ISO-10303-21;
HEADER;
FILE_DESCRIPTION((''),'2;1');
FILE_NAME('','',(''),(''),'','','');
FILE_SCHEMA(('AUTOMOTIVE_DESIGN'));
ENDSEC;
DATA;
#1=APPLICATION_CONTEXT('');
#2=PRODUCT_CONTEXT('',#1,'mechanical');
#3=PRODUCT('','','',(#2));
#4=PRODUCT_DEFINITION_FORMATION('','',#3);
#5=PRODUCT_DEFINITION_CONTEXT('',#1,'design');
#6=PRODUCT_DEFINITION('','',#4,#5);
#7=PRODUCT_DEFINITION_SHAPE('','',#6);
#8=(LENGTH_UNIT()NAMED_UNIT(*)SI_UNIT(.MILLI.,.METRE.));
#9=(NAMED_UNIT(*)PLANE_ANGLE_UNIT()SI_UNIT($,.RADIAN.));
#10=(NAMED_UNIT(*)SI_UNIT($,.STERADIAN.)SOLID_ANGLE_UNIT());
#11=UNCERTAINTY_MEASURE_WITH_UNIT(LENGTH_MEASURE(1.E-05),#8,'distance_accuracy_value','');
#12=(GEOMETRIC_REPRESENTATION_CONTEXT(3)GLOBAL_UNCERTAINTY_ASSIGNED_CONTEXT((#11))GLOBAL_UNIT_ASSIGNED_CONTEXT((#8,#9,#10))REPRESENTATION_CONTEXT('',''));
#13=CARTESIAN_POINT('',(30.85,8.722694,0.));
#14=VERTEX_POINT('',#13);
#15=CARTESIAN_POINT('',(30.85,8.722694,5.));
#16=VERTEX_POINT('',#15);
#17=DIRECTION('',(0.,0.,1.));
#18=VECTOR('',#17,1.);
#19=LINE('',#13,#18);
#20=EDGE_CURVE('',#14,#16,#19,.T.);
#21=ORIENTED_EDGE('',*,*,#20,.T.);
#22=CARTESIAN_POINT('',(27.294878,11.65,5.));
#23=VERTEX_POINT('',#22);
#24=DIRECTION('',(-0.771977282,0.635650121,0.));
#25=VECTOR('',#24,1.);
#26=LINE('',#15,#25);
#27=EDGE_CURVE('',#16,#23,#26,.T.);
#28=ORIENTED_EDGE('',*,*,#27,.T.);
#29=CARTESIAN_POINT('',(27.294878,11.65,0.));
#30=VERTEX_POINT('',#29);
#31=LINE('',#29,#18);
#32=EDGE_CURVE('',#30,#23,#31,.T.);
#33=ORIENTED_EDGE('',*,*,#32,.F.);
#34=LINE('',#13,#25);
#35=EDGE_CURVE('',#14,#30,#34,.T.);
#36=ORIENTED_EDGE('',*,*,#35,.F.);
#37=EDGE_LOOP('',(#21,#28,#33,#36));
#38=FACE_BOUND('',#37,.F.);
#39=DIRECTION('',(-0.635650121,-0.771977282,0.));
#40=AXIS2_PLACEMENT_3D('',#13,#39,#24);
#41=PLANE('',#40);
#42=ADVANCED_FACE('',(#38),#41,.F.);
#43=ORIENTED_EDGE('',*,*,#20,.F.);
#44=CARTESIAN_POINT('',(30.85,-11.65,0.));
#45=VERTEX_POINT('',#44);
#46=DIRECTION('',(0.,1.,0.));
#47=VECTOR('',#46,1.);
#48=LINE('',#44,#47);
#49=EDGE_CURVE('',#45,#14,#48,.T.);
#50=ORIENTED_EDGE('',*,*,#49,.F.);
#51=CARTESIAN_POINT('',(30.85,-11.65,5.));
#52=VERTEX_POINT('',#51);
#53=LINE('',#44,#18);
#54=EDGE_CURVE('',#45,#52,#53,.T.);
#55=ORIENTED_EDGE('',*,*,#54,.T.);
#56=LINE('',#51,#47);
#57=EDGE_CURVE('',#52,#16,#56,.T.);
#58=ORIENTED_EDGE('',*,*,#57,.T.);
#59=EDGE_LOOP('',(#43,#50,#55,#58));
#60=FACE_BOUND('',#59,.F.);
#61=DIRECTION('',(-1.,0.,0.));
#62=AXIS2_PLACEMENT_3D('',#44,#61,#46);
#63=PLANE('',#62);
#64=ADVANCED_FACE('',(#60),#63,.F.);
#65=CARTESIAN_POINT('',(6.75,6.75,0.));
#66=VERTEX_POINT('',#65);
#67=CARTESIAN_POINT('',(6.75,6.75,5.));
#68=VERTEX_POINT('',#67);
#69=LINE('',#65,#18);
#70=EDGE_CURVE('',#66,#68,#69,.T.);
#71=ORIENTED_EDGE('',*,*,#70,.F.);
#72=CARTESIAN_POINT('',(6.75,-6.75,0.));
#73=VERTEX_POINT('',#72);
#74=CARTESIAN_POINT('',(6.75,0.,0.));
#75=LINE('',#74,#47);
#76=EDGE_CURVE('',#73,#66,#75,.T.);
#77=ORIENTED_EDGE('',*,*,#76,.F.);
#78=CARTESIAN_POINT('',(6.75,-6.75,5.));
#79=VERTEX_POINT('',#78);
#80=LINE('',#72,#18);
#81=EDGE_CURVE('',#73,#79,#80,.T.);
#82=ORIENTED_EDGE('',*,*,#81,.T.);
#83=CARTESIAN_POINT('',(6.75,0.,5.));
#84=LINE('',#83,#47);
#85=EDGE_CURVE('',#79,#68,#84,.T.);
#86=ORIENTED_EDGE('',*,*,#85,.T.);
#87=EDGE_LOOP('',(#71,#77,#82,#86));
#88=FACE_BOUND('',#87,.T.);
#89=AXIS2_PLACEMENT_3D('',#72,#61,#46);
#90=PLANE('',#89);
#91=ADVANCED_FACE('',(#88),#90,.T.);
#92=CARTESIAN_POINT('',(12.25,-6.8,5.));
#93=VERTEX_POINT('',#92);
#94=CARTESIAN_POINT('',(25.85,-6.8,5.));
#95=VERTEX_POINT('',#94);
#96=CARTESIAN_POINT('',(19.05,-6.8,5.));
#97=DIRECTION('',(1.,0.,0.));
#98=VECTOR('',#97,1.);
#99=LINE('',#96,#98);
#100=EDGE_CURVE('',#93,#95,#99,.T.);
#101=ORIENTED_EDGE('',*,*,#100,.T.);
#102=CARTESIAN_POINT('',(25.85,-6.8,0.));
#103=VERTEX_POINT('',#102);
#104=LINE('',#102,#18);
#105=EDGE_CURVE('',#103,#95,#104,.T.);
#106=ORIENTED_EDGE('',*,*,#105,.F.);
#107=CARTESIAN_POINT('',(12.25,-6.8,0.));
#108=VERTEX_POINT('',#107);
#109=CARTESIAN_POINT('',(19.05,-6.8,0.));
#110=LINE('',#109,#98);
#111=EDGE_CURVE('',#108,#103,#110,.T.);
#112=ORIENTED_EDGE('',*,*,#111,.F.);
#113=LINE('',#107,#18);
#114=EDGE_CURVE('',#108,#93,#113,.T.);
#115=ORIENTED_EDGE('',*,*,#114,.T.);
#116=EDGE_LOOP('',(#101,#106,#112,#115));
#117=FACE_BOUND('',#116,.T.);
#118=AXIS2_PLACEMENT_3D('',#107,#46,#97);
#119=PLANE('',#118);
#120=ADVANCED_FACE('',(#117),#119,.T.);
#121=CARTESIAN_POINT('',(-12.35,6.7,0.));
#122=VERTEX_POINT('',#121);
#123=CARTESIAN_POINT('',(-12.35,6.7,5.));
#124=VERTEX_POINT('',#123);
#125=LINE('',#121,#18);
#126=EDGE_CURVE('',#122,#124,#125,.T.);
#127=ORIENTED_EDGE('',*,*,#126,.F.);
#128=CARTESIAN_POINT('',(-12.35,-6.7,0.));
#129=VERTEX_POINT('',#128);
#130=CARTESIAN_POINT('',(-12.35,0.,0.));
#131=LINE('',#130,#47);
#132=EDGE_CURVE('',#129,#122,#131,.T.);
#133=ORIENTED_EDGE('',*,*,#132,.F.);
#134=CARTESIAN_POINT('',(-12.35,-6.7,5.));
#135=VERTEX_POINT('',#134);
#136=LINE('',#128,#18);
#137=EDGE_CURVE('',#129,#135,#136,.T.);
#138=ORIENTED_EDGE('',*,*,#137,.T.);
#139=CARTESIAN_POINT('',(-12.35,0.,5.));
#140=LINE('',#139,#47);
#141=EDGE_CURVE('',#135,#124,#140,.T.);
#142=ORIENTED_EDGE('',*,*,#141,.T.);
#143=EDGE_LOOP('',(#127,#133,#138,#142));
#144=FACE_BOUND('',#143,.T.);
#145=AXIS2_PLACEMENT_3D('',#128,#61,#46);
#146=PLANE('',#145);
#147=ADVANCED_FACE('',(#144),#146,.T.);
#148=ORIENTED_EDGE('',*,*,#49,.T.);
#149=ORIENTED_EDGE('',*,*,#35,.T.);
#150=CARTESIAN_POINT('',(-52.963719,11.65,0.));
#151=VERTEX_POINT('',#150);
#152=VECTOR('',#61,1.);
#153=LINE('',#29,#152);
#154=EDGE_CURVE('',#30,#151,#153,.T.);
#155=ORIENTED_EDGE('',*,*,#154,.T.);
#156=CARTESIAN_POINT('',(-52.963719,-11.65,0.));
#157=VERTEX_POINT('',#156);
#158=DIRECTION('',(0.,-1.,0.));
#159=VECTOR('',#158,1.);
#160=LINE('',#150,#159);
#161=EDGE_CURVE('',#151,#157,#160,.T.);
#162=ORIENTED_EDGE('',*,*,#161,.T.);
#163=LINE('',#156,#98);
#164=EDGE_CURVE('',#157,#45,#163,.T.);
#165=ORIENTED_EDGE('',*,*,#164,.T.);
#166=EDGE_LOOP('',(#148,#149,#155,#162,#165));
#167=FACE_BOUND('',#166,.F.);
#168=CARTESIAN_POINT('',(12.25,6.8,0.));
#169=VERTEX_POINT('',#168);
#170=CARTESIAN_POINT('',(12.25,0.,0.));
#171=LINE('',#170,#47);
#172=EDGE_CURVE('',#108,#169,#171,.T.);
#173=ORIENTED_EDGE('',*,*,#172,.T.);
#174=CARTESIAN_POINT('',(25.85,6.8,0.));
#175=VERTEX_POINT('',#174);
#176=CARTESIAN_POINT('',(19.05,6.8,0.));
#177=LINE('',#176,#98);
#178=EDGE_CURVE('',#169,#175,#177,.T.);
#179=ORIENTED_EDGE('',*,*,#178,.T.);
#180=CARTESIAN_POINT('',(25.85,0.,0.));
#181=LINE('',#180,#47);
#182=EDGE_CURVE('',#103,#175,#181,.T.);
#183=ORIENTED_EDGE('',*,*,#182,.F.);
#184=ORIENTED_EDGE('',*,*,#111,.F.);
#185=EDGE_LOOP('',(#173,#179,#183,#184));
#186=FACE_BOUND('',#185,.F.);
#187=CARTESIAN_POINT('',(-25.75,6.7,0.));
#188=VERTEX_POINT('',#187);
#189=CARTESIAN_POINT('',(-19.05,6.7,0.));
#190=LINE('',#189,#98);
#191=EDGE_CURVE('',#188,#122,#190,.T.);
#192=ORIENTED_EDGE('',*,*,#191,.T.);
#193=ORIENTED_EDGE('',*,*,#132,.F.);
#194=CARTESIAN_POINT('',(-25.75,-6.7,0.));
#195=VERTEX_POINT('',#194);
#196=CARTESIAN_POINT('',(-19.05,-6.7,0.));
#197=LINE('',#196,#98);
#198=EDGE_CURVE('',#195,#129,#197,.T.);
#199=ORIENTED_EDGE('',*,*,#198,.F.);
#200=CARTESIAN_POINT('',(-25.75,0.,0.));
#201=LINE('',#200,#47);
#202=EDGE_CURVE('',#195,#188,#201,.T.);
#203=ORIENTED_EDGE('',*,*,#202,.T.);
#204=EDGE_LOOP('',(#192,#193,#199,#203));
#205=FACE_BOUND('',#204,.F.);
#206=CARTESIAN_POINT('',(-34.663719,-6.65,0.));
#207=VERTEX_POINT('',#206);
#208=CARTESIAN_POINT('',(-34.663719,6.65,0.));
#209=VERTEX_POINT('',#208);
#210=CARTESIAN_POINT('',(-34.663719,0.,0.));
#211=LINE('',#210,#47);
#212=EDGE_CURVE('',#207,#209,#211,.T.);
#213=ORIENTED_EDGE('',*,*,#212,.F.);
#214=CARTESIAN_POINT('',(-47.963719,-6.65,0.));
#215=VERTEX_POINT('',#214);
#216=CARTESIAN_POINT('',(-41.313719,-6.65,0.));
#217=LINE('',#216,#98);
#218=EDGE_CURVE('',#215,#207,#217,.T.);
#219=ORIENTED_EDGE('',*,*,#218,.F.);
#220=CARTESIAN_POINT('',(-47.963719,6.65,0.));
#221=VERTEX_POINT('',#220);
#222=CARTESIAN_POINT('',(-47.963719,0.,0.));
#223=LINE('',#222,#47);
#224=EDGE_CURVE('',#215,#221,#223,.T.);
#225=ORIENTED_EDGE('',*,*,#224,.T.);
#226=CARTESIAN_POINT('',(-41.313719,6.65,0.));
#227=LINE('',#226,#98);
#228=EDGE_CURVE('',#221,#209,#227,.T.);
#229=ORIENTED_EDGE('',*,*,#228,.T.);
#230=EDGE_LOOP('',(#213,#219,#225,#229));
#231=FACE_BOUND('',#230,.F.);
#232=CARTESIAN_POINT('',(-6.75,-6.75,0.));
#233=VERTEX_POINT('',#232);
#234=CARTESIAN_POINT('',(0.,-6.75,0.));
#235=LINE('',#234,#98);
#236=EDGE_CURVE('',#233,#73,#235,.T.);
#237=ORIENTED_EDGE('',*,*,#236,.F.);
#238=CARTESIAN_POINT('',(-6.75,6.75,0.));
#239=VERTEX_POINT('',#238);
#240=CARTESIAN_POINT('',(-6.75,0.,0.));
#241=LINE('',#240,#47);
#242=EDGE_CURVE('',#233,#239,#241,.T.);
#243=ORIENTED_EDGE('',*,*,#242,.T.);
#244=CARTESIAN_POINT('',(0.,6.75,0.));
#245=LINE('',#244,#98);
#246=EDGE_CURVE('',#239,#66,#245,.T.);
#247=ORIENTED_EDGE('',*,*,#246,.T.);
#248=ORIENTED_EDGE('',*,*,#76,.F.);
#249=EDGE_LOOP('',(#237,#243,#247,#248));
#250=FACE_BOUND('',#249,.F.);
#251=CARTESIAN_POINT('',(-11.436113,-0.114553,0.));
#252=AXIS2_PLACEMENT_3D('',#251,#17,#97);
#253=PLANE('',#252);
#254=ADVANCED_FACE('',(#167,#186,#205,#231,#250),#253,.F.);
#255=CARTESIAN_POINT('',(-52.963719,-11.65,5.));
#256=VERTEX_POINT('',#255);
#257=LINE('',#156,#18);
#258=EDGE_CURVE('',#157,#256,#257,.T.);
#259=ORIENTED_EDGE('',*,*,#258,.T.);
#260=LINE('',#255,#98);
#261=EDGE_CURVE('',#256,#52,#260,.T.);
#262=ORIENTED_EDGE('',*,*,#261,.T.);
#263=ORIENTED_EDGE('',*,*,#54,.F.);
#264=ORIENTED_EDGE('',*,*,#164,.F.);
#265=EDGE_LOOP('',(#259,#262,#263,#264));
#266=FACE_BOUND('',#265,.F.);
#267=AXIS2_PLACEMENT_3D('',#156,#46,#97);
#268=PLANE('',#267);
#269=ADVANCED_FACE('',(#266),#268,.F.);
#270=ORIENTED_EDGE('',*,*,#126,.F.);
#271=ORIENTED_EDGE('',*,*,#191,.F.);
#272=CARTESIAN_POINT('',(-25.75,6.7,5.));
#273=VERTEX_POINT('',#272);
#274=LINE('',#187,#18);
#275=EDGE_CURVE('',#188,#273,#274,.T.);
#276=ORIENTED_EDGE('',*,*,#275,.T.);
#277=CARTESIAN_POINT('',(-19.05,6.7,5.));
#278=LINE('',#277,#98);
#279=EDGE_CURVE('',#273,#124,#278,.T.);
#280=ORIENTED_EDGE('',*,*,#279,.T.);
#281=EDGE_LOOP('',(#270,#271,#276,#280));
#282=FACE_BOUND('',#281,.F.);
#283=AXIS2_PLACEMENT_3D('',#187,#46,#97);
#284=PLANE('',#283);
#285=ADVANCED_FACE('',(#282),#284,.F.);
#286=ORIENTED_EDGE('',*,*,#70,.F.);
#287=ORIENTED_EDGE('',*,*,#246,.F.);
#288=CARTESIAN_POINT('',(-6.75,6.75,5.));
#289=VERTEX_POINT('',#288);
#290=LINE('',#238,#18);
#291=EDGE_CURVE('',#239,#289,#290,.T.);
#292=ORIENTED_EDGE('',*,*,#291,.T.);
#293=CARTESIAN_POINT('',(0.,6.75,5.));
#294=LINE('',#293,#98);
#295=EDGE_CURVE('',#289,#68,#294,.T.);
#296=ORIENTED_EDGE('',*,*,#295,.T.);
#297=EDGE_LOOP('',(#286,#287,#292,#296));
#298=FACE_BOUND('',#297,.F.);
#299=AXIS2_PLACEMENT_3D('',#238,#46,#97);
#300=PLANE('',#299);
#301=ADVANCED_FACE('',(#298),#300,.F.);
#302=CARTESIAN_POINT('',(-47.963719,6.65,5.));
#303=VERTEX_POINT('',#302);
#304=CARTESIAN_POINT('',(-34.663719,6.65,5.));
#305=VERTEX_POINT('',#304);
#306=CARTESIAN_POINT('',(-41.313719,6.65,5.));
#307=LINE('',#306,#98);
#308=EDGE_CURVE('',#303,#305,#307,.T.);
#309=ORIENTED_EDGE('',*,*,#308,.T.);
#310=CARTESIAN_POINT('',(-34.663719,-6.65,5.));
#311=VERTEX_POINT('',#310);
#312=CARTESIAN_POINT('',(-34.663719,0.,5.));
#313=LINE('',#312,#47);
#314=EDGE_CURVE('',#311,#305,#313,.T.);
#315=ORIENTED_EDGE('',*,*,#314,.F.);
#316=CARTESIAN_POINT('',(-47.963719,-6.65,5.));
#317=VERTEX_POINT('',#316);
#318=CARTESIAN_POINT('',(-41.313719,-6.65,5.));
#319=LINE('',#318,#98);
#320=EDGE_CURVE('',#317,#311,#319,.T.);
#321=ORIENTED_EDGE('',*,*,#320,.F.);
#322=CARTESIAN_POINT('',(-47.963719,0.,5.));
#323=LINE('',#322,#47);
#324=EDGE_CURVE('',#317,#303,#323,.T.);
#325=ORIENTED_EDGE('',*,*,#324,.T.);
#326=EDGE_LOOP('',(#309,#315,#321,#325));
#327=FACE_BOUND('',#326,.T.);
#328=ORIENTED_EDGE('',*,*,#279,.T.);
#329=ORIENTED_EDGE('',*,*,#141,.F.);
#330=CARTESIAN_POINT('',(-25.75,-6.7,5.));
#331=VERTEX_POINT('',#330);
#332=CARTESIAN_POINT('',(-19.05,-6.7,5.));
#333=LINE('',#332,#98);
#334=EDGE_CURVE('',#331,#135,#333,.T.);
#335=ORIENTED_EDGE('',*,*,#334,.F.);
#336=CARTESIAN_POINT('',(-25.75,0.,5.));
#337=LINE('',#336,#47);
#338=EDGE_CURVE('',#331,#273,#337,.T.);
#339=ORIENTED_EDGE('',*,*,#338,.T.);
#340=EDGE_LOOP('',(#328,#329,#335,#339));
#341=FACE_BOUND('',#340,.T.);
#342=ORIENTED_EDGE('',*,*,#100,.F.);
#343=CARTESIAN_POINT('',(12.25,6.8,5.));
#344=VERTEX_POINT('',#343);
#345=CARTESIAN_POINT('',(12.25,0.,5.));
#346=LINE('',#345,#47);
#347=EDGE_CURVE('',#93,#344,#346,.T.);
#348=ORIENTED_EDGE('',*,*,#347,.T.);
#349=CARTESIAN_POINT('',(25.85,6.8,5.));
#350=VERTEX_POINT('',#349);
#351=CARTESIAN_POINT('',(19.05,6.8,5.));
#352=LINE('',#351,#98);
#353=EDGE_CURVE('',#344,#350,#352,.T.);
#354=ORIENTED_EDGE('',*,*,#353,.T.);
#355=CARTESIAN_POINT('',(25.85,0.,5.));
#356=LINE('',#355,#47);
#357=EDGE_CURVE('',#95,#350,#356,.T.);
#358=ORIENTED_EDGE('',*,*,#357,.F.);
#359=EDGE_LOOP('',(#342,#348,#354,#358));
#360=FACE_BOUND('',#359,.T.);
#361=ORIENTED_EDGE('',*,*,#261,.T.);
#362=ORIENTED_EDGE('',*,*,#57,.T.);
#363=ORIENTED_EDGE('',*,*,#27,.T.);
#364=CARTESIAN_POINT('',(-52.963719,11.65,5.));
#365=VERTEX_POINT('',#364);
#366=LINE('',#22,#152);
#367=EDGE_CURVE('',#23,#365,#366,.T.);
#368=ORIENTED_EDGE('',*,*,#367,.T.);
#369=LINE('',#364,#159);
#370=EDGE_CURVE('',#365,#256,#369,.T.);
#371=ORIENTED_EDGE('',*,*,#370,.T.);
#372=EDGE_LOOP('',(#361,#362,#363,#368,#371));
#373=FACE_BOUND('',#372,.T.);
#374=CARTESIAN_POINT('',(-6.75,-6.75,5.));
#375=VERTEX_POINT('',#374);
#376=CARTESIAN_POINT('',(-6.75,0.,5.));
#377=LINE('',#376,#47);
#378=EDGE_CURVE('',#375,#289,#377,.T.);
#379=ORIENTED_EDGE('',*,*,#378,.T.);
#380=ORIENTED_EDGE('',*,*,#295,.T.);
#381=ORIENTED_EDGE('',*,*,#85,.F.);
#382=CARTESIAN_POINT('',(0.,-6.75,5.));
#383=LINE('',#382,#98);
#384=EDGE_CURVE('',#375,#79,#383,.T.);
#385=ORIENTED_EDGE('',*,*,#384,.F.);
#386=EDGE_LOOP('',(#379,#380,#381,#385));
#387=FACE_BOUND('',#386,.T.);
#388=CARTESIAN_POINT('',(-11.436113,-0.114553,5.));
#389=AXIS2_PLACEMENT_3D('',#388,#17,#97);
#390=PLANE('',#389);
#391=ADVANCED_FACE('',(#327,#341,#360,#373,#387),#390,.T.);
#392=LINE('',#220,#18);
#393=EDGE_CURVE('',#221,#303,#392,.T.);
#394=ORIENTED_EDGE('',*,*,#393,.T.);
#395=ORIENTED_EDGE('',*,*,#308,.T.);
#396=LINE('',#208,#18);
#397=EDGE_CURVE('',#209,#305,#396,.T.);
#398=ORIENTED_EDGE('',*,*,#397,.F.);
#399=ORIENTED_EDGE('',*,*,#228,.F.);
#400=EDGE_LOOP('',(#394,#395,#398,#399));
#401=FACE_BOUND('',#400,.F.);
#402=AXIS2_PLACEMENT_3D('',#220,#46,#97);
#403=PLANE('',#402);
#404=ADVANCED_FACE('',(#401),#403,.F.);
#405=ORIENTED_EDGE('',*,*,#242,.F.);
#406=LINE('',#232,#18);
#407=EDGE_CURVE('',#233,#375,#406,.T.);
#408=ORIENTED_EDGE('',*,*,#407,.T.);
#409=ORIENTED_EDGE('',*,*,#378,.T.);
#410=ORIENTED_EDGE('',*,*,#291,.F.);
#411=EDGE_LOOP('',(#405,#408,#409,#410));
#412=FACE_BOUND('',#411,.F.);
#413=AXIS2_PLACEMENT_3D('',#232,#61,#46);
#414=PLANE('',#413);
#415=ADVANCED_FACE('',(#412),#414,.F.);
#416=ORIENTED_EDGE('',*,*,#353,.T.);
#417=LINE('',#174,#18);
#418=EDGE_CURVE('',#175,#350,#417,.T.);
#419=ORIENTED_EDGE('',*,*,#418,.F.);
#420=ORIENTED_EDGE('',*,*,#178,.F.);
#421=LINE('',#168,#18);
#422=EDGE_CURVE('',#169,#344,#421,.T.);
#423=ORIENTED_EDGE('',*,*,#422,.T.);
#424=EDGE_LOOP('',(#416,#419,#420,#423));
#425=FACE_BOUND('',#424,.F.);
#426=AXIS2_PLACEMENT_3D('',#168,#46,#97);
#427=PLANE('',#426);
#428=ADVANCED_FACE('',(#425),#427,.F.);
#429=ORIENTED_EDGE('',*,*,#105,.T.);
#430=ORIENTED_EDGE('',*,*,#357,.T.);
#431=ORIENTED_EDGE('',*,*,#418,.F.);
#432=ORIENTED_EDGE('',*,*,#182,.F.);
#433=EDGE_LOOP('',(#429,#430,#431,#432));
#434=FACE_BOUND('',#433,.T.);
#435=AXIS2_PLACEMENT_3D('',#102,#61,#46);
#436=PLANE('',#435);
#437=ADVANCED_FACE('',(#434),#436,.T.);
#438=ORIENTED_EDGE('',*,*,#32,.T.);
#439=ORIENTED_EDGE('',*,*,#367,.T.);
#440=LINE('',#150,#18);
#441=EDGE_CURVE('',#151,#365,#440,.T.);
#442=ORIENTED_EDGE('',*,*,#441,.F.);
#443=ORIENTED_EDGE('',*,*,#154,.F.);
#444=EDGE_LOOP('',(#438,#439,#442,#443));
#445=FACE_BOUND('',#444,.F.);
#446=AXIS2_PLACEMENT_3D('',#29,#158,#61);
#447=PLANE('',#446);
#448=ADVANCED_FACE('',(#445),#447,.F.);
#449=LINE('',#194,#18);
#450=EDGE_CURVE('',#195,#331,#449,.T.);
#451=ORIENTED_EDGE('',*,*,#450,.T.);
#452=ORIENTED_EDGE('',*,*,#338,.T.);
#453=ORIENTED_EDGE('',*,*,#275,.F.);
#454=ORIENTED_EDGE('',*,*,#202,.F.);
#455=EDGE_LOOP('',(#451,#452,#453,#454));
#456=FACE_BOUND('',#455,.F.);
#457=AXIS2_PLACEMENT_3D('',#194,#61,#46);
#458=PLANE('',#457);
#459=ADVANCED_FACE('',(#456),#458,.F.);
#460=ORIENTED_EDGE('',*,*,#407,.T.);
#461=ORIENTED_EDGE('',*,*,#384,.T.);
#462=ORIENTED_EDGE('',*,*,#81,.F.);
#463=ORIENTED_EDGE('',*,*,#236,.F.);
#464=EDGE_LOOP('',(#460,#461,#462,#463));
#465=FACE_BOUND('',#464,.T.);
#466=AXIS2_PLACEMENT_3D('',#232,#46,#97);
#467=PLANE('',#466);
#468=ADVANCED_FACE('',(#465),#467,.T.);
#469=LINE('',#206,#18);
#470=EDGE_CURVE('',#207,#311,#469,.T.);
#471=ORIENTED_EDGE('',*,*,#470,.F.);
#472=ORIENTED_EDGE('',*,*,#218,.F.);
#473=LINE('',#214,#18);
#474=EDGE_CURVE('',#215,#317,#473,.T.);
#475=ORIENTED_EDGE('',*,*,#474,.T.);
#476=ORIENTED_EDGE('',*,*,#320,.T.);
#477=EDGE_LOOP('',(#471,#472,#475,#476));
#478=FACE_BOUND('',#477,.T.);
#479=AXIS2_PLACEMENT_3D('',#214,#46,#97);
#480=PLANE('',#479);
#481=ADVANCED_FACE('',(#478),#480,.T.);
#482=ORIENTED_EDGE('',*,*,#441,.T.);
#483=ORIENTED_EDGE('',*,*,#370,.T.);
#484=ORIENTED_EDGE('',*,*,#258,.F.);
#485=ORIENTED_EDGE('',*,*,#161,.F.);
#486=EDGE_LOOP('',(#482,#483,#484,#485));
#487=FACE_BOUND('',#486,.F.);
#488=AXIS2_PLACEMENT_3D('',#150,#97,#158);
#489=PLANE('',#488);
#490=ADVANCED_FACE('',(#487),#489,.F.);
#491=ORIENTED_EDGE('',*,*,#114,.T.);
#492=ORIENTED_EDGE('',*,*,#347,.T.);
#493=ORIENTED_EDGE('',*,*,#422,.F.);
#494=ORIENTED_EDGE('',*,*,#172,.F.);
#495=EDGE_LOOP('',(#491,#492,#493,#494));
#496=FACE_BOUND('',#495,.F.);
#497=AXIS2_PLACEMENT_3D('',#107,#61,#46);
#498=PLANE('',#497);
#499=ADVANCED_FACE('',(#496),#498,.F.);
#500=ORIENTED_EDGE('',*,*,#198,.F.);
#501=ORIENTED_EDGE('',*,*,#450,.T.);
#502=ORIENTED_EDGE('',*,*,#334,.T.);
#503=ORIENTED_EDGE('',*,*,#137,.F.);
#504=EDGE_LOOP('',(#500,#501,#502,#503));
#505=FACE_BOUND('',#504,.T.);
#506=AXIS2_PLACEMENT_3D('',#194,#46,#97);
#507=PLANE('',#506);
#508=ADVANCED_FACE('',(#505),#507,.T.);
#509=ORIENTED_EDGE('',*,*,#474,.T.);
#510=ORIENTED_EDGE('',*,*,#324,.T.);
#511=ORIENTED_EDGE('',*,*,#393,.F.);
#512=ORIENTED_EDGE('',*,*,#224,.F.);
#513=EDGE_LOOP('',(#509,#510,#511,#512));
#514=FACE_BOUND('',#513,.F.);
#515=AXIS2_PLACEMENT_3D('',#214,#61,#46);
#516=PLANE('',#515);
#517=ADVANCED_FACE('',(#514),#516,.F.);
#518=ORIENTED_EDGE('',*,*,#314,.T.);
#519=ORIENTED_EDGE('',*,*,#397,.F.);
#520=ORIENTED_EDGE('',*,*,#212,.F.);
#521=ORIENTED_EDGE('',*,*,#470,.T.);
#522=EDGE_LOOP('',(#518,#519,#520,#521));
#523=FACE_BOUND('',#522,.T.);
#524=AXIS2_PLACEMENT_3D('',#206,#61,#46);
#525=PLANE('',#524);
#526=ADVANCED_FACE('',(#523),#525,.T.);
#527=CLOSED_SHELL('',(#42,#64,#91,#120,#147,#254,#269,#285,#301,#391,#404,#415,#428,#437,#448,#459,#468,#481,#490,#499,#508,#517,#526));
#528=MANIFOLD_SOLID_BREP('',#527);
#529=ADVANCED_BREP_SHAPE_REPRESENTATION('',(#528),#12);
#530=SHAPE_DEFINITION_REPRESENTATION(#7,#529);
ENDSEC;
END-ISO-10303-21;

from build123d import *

# Parameters (mm, degrees)
F0_W     = 13.3
F0_H     = 13.3
F0_W_2   = 13.4
F0_H_2   = 13.4
F0_W_3   = 13.5
F0_H_3   = 13.5
F0_W_4   = 13.6
F0_H_4   = 13.6
F1_DEPTH = 5


with BuildPart() as f1:
    # F0 (on Top) → F1 (new body)
    with BuildSketch(Plane.XY):
        Polygon((27.294878, 11.65), (-52.963719, 11.65), (-52.963719, -11.65), (30.85, -11.65), (30.85, 8.722694), align=None)
        with Locations((-41.313719, 0)):
            Rectangle(F0_W, F0_H, mode=Mode.SUBTRACT)
        with Locations((-19.05, 0)):
            Rectangle(F0_W_2, F0_H_2, mode=Mode.SUBTRACT)
        Rectangle(F0_W_3, F0_H_3, mode=Mode.SUBTRACT)
        with Locations((19.05, 0)):
            Rectangle(F0_W_4, F0_H_4, mode=Mode.SUBTRACT)
    extrude(amount=F1_DEPTH)


solid = f1.part
